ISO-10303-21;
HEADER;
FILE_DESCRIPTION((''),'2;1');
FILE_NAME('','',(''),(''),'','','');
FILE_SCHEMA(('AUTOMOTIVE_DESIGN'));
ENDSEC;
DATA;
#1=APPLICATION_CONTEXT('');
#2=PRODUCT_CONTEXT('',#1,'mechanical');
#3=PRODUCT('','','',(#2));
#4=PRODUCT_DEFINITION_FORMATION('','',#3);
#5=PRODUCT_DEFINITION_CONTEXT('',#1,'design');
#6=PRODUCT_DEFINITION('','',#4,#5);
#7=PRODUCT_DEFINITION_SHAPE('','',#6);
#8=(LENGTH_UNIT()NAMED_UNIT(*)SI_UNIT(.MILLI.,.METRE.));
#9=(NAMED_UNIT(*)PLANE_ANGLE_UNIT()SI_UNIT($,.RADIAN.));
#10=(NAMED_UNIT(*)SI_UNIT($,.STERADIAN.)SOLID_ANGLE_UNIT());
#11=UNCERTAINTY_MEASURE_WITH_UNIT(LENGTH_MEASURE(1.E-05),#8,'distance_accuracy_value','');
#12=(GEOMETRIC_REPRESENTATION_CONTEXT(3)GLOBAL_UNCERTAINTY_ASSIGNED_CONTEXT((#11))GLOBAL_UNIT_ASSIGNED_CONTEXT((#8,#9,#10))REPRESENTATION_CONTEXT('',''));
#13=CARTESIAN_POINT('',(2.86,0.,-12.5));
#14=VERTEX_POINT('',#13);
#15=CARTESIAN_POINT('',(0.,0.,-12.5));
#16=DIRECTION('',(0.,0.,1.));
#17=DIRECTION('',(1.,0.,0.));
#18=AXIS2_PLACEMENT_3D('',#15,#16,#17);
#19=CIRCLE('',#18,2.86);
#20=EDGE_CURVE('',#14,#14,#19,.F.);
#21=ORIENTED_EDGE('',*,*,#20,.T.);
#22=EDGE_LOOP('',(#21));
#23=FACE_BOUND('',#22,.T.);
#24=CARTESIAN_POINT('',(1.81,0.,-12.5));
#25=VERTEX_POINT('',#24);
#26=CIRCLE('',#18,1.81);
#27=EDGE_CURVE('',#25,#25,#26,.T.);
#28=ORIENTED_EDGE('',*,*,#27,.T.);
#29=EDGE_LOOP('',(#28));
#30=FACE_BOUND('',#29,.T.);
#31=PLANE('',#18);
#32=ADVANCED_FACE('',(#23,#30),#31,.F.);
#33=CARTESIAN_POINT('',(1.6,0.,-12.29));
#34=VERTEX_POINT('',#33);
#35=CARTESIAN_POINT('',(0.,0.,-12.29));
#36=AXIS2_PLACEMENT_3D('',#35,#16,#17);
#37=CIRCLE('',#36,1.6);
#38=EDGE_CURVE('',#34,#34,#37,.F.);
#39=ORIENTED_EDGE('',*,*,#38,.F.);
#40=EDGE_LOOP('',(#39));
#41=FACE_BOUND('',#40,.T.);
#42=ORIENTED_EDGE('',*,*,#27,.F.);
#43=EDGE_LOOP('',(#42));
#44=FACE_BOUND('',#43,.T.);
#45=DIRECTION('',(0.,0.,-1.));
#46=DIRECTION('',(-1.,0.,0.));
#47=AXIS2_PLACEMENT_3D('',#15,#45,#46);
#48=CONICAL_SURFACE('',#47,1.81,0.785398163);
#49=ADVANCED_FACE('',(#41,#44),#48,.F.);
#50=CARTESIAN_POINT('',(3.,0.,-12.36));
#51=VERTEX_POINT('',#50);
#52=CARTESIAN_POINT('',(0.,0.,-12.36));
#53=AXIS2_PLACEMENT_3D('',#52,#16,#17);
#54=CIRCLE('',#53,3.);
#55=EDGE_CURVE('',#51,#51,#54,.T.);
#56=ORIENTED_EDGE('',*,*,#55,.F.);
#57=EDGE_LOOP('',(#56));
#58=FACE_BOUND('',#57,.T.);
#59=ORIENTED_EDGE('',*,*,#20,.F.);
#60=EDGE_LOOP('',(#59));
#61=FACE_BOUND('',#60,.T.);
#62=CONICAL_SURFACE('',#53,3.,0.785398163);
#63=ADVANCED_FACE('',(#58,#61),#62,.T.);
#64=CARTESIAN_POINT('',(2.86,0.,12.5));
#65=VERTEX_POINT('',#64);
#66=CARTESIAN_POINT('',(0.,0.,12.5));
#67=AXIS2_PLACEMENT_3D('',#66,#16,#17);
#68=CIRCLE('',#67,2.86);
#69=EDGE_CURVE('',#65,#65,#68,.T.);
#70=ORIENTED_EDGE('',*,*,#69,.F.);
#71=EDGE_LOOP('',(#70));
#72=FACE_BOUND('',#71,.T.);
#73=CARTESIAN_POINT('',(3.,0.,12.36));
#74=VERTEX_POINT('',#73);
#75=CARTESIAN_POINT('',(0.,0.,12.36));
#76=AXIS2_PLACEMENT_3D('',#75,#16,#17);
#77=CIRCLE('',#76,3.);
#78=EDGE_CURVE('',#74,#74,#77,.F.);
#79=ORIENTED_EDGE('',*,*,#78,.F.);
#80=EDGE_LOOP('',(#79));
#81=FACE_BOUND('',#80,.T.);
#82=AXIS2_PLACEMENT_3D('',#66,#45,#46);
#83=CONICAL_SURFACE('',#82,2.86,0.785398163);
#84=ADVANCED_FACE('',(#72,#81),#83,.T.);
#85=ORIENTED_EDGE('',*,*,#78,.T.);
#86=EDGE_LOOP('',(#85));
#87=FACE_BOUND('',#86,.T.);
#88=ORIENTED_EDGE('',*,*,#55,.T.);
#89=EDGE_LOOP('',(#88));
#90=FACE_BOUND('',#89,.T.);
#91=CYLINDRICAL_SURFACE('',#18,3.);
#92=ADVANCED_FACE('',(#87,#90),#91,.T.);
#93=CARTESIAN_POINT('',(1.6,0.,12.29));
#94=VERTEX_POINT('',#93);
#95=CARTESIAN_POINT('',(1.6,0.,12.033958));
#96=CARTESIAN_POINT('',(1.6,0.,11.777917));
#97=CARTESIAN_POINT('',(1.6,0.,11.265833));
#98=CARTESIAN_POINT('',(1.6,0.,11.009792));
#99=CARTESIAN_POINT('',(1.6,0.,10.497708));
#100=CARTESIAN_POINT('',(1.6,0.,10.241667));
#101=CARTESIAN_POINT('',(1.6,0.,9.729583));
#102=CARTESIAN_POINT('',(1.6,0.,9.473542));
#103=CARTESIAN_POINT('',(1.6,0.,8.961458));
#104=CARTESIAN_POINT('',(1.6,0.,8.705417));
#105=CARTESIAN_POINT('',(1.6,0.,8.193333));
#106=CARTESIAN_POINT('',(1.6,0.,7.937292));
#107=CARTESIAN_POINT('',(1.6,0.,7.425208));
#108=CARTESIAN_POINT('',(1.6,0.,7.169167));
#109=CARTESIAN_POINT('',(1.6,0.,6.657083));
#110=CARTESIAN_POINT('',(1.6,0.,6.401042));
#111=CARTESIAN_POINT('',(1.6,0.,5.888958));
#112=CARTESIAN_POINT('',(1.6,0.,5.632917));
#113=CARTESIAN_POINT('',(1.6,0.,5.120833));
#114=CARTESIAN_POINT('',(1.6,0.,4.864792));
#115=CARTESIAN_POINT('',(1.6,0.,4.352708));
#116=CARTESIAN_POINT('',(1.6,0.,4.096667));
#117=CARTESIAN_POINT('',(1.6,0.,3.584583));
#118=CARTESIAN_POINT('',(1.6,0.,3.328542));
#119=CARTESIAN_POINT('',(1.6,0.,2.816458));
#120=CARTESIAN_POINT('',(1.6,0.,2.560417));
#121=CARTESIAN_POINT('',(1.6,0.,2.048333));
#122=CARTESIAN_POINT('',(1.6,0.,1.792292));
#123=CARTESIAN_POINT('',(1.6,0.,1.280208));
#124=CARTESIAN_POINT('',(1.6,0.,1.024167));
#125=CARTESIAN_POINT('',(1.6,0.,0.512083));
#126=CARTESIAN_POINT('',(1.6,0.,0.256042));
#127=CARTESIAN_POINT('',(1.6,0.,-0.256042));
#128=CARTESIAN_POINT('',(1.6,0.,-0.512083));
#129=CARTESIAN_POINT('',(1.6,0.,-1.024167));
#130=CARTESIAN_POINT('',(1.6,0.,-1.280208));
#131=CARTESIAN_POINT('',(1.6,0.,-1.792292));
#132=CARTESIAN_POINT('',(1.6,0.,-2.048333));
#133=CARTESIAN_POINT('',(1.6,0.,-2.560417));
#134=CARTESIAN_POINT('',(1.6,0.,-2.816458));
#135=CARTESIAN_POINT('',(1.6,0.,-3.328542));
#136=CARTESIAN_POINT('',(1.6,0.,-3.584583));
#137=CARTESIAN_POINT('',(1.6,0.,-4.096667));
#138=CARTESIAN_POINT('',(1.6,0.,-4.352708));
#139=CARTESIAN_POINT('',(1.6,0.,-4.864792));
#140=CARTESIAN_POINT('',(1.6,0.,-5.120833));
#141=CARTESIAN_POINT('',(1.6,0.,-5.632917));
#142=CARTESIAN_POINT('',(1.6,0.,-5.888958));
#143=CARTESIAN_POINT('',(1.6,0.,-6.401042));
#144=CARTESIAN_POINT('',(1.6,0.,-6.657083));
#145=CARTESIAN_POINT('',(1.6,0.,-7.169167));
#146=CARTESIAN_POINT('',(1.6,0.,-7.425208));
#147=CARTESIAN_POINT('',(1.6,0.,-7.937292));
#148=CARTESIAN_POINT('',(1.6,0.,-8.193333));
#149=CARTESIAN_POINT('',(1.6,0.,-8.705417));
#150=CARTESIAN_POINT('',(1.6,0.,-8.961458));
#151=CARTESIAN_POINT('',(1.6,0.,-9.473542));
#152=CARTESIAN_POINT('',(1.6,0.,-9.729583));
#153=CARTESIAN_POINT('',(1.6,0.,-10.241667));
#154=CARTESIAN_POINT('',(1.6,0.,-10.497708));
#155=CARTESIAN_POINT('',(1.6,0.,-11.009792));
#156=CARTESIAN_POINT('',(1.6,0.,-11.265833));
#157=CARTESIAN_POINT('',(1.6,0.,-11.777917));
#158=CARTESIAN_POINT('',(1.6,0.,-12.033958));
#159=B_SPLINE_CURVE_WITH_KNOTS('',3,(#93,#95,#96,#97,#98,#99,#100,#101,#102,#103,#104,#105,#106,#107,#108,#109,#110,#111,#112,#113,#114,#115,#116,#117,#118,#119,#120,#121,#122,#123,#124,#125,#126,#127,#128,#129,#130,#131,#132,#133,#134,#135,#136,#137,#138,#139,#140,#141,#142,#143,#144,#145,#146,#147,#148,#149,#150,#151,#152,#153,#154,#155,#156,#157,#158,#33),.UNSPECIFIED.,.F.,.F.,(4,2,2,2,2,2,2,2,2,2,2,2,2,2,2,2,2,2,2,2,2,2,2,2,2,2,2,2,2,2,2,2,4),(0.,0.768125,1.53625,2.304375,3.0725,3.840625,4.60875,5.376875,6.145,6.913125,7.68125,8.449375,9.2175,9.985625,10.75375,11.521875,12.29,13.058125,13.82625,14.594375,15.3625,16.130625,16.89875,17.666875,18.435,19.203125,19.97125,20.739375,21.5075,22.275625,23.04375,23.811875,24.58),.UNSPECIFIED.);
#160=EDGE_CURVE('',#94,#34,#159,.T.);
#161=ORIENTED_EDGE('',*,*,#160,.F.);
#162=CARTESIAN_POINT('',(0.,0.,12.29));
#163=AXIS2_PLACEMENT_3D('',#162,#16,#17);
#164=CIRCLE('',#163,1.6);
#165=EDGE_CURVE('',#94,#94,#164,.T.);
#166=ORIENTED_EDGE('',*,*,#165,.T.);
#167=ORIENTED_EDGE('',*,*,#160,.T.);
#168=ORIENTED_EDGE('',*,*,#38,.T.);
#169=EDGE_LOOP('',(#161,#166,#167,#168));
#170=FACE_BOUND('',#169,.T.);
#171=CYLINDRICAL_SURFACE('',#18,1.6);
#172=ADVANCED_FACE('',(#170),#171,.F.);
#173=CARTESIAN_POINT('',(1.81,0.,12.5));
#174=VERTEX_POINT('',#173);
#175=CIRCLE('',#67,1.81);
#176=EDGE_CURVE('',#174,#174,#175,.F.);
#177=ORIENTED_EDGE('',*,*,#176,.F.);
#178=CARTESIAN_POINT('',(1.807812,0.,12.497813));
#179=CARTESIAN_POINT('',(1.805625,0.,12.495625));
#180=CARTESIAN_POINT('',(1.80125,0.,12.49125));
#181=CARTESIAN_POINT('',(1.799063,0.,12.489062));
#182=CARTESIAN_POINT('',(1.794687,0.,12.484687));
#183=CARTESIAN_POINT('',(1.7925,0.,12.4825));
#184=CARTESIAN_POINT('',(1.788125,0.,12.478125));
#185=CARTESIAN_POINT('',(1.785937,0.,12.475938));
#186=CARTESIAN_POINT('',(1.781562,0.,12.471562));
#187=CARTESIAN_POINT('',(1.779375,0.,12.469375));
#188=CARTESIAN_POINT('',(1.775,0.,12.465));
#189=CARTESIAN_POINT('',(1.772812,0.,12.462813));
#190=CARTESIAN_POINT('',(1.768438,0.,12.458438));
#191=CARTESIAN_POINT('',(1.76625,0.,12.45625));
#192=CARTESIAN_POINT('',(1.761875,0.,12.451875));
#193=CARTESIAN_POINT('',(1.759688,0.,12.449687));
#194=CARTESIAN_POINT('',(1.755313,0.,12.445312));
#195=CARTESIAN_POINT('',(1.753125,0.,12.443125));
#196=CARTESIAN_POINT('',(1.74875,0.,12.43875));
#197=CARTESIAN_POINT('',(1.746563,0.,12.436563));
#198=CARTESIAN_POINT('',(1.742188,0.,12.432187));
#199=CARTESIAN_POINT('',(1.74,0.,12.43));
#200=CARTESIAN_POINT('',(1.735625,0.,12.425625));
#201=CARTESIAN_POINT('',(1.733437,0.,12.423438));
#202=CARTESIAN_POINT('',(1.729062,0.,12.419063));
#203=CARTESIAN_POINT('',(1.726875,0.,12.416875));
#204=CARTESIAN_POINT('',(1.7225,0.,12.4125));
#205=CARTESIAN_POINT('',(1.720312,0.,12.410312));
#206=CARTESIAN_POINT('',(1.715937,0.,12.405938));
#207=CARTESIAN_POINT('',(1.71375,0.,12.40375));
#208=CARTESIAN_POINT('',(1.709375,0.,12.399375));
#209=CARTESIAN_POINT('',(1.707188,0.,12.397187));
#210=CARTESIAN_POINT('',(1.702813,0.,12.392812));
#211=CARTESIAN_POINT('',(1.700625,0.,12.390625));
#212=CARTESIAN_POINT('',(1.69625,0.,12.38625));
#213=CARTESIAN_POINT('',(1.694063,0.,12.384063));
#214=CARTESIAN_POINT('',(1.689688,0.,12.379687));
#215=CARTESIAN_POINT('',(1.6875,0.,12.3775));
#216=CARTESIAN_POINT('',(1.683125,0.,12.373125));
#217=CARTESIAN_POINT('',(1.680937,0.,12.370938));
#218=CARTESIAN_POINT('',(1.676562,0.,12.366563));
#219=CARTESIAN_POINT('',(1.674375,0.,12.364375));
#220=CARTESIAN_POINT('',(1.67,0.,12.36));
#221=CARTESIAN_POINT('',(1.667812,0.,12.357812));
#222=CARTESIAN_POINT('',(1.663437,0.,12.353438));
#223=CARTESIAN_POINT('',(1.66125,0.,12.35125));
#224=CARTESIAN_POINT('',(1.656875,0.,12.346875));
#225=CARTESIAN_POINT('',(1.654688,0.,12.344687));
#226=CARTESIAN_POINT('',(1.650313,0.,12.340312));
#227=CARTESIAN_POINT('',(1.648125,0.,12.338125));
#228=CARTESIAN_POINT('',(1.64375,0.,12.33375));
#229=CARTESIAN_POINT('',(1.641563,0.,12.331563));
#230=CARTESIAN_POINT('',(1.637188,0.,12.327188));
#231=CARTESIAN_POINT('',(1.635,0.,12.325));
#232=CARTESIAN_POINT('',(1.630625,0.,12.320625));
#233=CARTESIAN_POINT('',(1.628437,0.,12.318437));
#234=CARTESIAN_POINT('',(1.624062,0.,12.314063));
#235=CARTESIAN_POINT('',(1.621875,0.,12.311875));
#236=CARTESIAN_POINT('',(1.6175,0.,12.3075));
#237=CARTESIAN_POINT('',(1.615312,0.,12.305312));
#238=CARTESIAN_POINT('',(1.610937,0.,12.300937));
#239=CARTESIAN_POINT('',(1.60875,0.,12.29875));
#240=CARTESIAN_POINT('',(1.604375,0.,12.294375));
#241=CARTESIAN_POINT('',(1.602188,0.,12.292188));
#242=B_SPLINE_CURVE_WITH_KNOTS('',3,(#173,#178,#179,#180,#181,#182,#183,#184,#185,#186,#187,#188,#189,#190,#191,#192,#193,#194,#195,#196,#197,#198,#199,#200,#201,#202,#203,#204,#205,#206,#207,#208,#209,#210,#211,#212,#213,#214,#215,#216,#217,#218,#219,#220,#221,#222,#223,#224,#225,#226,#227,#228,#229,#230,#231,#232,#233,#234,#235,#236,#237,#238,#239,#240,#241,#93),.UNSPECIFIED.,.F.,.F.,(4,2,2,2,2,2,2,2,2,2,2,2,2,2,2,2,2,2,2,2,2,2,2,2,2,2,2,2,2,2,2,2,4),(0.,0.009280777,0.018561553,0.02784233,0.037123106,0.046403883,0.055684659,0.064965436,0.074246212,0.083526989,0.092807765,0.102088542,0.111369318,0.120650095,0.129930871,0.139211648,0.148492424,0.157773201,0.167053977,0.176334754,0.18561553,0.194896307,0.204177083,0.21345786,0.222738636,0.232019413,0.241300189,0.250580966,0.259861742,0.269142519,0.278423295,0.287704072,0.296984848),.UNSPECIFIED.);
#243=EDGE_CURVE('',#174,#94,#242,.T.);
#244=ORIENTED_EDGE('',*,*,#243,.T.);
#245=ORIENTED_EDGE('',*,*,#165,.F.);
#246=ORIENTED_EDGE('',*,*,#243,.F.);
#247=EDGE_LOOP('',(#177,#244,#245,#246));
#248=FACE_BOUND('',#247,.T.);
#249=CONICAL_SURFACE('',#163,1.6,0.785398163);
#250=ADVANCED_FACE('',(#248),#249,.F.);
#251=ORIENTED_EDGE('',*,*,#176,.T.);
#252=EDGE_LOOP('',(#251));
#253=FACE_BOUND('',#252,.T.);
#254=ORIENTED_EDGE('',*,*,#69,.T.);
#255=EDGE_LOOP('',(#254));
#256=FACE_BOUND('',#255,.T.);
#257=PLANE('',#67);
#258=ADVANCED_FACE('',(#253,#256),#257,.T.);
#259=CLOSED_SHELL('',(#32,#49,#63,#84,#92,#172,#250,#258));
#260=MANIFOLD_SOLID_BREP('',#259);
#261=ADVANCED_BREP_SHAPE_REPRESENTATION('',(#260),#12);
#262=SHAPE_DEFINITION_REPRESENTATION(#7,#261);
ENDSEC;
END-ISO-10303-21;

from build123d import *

# Parameters (mm, degrees)
BOSS_EXTRUDE1_DEPTH      = 12.5
BOSS_EXTRUDE1_DEPTH_BACK = 12.5
SKETCH3_R                = 3
SKETCH3_R_2              = 1.6
CHAMFER1_SIZE            = 0.14
CHAMFER2_SIZE            = 0.21


with BuildPart() as part:
    # Sketch3 → Boss-Extrude1 (new, two sides: drawn at the far end of the back side and taken through both)
    with BuildSketch(Plane.XY.offset(-BOSS_EXTRUDE1_DEPTH_BACK)):
        Circle(SKETCH3_R)
        Circle(SKETCH3_R_2, mode=Mode.SUBTRACT)
    extrude(amount=BOSS_EXTRUDE1_DEPTH + BOSS_EXTRUDE1_DEPTH_BACK)

    # Chamfer1
    chamfer1_edges = [part.edges().sort_by_distance(p)[0] for p in [
        (-3, 0, -12.5),
        (-3, 0, 12.5),
    ]]
    chamfer(chamfer1_edges, length=CHAMFER1_SIZE)

    # Chamfer2
    chamfer2_edges = [part.edges().sort_by_distance(p)[0] for p in [
        (-1.6, 0, -12.5),
        (-1.6, 0, 12.5),
    ]]
    chamfer(chamfer2_edges, length=CHAMFER2_SIZE)


solid = part.part
